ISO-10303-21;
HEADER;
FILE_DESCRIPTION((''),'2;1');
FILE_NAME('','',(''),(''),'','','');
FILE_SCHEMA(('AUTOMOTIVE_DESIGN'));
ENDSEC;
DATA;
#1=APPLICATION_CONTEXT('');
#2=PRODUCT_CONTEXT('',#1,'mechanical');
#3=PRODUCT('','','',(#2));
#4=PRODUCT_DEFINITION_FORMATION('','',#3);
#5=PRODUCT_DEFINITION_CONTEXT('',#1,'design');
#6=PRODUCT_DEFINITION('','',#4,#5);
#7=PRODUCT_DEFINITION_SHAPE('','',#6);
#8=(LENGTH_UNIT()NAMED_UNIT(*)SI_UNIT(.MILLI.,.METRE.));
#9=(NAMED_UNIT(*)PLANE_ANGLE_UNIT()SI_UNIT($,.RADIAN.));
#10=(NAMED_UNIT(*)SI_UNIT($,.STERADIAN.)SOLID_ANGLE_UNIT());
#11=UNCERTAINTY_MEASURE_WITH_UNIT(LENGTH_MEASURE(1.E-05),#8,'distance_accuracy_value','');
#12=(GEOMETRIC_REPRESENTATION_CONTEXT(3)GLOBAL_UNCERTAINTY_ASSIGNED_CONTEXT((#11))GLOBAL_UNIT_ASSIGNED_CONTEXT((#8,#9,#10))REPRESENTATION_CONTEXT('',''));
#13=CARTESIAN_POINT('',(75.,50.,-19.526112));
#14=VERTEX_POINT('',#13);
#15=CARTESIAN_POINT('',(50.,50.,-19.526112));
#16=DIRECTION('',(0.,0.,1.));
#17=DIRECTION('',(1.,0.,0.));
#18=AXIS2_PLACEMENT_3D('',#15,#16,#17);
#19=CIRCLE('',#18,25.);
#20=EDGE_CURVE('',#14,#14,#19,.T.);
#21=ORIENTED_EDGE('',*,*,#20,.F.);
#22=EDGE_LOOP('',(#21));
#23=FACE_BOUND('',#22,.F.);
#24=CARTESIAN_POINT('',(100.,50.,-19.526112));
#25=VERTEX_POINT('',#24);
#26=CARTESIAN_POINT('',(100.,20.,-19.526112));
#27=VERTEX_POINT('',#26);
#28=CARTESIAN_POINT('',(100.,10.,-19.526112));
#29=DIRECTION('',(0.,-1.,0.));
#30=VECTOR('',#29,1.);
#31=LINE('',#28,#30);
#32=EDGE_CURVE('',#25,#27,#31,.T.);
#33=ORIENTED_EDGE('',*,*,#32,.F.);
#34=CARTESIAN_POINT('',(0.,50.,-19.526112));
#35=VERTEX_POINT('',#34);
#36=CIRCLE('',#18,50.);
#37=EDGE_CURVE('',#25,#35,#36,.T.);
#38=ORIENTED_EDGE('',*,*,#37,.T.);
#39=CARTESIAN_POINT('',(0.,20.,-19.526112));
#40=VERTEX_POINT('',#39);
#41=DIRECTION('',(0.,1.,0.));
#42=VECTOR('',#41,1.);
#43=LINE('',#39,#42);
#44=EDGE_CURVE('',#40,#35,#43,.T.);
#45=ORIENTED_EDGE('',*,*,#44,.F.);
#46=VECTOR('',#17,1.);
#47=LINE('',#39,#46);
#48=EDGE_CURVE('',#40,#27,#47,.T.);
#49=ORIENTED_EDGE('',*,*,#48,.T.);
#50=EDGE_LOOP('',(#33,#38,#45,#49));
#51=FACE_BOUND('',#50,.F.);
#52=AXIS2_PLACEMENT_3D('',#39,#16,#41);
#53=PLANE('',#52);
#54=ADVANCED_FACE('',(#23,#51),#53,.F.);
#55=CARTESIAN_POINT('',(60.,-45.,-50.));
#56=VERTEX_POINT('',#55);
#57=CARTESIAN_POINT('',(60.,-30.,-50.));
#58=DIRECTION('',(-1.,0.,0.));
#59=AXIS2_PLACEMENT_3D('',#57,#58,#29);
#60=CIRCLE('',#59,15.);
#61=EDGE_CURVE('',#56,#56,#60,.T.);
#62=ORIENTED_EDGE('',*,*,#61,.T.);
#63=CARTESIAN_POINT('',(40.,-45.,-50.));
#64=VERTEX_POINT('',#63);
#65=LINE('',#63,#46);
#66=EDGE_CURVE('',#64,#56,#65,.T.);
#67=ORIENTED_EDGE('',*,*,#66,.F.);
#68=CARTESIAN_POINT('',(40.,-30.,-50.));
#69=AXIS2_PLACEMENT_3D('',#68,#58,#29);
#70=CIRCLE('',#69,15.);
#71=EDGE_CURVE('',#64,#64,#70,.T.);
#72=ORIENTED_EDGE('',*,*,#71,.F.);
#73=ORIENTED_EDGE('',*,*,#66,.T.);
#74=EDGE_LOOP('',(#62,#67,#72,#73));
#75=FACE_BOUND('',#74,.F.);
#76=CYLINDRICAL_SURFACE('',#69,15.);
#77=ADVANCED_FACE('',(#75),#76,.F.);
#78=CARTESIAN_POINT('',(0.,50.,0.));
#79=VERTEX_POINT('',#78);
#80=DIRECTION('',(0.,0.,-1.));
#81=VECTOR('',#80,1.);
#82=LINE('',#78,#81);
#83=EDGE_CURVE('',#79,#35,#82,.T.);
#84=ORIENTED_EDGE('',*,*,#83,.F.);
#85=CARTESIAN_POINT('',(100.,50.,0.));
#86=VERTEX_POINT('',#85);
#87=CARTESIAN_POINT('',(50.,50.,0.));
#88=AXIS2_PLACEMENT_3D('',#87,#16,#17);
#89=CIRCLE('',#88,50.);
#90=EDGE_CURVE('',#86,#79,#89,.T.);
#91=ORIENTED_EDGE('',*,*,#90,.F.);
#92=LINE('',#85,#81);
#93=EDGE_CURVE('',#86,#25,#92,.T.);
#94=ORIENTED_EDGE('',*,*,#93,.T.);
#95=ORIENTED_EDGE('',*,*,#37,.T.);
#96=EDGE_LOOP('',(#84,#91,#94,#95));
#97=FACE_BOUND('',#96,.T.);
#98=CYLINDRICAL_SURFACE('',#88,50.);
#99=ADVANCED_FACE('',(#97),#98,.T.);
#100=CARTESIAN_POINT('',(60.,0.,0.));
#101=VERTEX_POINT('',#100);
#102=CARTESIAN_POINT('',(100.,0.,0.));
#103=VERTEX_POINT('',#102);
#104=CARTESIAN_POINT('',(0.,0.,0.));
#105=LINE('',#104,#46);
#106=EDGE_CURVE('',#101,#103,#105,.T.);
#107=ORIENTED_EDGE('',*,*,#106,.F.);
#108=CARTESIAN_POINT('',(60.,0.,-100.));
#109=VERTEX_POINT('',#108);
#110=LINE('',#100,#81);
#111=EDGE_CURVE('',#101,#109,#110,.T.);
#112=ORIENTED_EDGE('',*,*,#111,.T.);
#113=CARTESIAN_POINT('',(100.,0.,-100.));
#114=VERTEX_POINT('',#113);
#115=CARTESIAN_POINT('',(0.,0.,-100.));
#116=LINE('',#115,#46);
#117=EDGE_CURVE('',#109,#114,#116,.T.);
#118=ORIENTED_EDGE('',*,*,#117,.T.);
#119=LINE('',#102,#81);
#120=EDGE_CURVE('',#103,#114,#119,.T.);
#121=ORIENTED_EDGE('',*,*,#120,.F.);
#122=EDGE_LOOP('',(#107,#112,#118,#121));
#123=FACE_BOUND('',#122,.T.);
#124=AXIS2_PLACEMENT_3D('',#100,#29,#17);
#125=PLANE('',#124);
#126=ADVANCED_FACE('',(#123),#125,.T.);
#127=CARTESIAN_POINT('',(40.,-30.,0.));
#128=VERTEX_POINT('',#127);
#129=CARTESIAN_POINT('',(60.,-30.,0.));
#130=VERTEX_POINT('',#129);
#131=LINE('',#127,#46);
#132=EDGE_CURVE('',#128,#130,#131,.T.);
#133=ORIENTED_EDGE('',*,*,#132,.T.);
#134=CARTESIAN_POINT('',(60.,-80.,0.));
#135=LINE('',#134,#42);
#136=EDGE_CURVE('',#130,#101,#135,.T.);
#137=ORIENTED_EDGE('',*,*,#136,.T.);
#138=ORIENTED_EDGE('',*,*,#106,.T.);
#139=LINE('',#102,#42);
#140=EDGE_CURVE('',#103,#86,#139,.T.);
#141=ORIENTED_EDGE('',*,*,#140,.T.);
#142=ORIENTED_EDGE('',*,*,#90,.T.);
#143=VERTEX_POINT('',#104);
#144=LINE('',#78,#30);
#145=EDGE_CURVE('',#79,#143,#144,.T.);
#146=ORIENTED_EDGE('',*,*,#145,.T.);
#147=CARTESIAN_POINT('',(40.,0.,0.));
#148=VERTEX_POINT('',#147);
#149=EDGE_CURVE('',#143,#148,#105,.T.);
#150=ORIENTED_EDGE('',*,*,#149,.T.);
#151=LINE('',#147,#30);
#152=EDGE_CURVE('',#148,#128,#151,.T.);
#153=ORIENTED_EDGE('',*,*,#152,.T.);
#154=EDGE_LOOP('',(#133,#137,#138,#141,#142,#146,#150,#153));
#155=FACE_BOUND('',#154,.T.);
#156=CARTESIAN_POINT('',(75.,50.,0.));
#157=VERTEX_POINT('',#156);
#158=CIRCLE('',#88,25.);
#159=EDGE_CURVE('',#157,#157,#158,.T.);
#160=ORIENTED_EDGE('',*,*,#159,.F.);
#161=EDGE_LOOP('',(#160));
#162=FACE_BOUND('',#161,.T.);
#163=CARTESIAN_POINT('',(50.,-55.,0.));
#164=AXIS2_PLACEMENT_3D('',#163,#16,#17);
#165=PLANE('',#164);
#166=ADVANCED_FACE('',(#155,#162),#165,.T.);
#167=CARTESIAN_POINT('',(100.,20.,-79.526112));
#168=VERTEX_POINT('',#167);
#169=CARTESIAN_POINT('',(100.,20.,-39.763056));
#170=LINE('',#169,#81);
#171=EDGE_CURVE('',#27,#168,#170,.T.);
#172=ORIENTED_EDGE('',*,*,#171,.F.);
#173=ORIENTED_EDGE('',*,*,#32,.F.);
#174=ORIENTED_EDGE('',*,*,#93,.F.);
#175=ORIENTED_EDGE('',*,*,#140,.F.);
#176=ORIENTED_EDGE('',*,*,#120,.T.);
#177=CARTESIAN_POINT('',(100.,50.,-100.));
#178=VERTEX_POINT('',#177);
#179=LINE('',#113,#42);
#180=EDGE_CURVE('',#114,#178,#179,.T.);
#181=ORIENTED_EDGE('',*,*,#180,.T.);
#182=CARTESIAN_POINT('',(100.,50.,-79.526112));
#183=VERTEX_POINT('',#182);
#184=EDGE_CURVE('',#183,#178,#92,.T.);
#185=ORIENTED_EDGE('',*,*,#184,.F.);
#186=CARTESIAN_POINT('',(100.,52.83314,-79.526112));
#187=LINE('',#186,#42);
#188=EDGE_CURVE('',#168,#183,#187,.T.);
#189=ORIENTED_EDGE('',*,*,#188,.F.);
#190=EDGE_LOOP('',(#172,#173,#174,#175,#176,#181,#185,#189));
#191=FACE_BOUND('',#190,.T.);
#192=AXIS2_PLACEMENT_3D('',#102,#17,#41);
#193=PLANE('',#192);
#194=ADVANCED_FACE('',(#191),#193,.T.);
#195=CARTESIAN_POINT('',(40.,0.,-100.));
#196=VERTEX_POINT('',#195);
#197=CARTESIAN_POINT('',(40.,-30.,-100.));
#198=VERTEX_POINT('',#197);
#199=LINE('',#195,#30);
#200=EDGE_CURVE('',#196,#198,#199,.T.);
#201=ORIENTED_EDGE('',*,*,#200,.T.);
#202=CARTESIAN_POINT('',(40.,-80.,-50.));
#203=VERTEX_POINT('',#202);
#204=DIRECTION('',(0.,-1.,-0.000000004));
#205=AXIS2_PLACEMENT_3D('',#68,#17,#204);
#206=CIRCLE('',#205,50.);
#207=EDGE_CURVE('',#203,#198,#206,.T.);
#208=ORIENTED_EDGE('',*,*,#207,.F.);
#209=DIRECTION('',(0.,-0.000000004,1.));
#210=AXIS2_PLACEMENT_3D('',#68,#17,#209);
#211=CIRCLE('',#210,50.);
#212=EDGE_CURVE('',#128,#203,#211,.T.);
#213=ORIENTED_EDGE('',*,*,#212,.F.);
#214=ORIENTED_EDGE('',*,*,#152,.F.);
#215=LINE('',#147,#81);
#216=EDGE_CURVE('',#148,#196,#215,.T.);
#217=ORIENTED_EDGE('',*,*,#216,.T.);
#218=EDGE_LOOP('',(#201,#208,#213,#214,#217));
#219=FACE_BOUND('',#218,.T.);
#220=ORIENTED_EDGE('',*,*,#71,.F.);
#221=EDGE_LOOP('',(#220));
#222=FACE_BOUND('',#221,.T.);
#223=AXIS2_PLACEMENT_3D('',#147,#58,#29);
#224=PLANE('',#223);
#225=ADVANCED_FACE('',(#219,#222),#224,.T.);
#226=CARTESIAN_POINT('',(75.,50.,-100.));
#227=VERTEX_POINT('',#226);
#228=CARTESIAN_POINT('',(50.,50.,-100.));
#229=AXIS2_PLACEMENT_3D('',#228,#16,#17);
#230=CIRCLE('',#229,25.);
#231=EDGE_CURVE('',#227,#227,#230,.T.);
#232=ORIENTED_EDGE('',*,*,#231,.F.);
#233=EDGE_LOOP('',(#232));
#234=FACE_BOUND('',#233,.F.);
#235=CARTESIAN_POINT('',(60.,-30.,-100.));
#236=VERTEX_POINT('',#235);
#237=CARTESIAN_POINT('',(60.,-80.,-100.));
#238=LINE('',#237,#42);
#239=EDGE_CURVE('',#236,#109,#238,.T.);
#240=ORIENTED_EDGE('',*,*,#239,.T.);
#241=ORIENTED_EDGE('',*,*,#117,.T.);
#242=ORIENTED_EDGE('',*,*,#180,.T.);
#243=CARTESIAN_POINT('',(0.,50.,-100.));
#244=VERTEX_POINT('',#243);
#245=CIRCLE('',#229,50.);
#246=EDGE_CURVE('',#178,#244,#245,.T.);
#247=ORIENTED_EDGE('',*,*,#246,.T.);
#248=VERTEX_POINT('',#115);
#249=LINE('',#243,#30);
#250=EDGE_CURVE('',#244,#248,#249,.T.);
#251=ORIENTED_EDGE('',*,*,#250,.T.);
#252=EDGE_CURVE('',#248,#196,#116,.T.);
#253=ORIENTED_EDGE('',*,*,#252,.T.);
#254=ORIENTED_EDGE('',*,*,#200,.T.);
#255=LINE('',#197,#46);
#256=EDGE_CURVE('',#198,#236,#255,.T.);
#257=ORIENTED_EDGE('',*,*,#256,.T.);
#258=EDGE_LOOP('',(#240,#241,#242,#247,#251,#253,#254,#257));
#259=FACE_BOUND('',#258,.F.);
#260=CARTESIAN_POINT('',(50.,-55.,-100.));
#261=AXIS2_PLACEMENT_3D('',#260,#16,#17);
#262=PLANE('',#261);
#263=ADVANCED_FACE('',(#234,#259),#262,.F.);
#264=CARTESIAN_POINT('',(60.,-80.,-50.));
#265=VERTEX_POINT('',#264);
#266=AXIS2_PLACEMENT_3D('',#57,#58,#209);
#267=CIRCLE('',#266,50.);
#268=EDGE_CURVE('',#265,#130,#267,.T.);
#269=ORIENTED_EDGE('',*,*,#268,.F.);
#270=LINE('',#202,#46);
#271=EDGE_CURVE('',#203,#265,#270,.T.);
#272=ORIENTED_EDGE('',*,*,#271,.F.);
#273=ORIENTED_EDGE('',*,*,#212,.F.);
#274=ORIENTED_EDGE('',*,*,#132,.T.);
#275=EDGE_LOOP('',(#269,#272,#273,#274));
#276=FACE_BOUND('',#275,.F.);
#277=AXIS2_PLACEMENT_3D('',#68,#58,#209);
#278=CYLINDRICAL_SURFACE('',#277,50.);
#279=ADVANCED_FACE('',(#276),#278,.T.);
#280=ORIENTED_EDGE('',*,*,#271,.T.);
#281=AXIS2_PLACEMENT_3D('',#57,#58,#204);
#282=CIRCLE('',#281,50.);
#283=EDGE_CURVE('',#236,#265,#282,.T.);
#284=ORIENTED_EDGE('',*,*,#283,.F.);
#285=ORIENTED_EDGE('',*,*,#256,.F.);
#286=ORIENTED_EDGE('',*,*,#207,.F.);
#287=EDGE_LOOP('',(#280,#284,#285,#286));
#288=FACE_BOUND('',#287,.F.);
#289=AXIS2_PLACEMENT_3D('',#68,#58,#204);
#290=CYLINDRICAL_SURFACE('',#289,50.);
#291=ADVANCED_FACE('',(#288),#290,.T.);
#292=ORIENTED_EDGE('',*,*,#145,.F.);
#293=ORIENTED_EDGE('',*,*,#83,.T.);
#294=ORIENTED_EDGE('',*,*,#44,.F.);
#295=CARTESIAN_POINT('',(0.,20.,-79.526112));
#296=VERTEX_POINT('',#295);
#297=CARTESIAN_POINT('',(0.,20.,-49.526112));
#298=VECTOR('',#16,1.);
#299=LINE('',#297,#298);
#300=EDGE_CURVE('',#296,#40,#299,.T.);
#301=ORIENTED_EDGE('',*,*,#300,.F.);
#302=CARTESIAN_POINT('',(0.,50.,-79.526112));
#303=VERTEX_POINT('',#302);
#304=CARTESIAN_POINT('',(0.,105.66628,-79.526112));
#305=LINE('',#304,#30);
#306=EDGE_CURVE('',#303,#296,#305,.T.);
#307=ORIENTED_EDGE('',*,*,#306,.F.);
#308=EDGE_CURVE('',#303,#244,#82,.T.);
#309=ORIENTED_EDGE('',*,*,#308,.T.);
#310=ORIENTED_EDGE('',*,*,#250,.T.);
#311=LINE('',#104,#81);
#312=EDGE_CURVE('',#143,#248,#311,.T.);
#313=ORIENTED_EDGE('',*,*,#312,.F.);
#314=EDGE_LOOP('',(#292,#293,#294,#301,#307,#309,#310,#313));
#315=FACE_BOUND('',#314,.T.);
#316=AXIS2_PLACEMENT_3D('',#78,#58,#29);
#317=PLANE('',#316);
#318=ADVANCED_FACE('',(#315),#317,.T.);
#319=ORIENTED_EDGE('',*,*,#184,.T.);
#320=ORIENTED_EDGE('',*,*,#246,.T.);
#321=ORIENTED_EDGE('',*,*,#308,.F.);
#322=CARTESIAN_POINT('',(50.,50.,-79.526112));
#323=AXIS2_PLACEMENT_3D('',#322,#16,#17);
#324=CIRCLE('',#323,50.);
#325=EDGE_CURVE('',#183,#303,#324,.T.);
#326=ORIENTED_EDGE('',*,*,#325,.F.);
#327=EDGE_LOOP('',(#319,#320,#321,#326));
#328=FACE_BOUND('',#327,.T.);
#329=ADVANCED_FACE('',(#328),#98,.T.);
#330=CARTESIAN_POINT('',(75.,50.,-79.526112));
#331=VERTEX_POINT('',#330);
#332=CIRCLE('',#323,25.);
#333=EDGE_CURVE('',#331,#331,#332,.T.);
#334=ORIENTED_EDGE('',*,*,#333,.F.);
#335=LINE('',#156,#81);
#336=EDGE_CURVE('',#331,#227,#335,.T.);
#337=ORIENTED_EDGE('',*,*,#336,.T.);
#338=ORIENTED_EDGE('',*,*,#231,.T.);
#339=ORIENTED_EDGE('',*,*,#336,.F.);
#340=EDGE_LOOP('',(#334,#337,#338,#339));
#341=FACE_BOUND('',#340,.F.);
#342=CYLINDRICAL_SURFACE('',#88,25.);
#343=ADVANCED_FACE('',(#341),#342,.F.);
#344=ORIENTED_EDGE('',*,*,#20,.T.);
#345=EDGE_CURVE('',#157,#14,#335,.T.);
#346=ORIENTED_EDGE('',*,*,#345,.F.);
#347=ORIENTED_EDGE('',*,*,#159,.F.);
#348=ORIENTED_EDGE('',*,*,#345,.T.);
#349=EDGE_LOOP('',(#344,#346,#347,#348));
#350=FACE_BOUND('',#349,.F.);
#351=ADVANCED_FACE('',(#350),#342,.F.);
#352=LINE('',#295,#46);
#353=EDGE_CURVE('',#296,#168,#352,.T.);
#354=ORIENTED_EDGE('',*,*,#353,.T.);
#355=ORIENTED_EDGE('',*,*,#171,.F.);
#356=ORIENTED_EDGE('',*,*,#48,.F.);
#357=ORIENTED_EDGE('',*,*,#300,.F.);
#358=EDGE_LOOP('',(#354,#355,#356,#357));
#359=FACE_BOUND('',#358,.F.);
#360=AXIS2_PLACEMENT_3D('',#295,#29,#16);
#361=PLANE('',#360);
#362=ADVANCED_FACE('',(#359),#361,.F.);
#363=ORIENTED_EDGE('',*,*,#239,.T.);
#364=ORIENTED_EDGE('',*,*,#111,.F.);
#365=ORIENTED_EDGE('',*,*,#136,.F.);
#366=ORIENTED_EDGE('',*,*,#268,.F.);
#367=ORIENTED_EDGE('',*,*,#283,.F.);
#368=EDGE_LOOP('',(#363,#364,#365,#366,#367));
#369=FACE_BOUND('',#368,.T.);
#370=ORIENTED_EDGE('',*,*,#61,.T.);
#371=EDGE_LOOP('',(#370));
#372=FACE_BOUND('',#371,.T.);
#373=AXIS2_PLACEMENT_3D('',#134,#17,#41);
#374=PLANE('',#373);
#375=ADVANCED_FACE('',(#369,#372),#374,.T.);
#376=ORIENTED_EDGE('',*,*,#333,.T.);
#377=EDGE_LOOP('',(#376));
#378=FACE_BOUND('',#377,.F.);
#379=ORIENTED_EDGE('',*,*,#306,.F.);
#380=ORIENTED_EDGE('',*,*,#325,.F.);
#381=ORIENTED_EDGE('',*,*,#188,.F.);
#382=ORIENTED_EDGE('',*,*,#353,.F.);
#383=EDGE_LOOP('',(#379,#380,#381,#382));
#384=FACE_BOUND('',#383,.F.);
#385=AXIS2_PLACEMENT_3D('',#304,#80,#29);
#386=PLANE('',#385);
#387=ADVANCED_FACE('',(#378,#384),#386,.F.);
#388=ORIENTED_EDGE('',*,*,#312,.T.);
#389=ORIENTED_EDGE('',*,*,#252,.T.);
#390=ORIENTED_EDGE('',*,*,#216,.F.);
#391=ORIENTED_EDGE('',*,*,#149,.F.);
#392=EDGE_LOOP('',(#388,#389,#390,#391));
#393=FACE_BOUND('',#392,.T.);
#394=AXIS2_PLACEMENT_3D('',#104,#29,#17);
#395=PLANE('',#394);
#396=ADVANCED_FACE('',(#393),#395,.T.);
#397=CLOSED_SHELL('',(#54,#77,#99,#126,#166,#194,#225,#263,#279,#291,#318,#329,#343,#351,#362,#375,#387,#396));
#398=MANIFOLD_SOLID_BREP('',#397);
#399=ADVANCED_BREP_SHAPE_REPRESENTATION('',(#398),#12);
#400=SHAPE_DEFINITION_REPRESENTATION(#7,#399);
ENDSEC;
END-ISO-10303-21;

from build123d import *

# Parameters (mm, degrees)
F0_W     = 20
F0_H     = 50
F0_R     = 25
F0_H_2   = 30
F1_DEPTH = 100
F2_W     = 30
F2_H     = 60
F2_W_2   = 55.66628
F3_DEPTH = 100.001
F5_DEPTH = 60.001
F4_R     = 15
F6_DEPTH = 60.001


with BuildPart() as f1:
    # F0 (on Top) → F1 (new body)
    with BuildSketch(Plane.XY):
        with Locations((50, -55)):
            Rectangle(F0_W, F0_H)
        with BuildLine():
            Line((0, 50), (0, 0))
            Line((0, 0), (40, 0))
            Line((40, 0), (60, 0))
            Line((60, 0), (100, 0))
            Line((100, 0), (100, 50))
            ThreePointArc((100, 50), (50, 100), (0, 50))
        make_face()
        with Locations((50, 50)):
            Circle(F0_R, mode=Mode.SUBTRACT)
        with Locations((50, -15)):
            Rectangle(F0_W, F0_H_2)
    extrude(amount=-F1_DEPTH)

    # F2 (on face) → F3 (cut, through all)
    with BuildSketch(Plane(origin=(0, 0, 0), x_dir=(0, -1, 0), z_dir=(-1, 0, 0))):
        with Locations((-35, -49.526112)):
            Rectangle(F2_W, F2_H)
        with Locations((-77.83314, -49.526112)):
            Rectangle(F2_W_2, F2_H)
    extrude(amount=-F3_DEPTH, mode=Mode.SUBTRACT)

    # F4 (on face) → F5 (cut, through all)
    with BuildSketch(Plane(origin=(40, 0, 0), x_dir=(0, -1, 0), z_dir=(-1, 0, 0))):
        with BuildLine():
            Line((80, -100), (80, -50))
            ThreePointArc((80, -50), (65.355339, -85.355339), (30, -100))
            Line((30, -100), (80, -100))
        make_face()
        with BuildLine():
            Line((80, 0), (30, 0))
            ThreePointArc((30, 0), (65.355339, -14.644661), (80, -50))
            Line((80, -50), (80, 0))
        make_face()
    extrude(amount=-F5_DEPTH, mode=Mode.SUBTRACT)

    # F4 (on face) → F6 (cut, through all)
    with BuildSketch(Plane(origin=(40, 0, 0), x_dir=(0, -1, 0), z_dir=(-1, 0, 0))):
        with Locations((30, -50)):
            Circle(F4_R)
    extrude(amount=-F6_DEPTH, mode=Mode.SUBTRACT)


solid = f1.part
